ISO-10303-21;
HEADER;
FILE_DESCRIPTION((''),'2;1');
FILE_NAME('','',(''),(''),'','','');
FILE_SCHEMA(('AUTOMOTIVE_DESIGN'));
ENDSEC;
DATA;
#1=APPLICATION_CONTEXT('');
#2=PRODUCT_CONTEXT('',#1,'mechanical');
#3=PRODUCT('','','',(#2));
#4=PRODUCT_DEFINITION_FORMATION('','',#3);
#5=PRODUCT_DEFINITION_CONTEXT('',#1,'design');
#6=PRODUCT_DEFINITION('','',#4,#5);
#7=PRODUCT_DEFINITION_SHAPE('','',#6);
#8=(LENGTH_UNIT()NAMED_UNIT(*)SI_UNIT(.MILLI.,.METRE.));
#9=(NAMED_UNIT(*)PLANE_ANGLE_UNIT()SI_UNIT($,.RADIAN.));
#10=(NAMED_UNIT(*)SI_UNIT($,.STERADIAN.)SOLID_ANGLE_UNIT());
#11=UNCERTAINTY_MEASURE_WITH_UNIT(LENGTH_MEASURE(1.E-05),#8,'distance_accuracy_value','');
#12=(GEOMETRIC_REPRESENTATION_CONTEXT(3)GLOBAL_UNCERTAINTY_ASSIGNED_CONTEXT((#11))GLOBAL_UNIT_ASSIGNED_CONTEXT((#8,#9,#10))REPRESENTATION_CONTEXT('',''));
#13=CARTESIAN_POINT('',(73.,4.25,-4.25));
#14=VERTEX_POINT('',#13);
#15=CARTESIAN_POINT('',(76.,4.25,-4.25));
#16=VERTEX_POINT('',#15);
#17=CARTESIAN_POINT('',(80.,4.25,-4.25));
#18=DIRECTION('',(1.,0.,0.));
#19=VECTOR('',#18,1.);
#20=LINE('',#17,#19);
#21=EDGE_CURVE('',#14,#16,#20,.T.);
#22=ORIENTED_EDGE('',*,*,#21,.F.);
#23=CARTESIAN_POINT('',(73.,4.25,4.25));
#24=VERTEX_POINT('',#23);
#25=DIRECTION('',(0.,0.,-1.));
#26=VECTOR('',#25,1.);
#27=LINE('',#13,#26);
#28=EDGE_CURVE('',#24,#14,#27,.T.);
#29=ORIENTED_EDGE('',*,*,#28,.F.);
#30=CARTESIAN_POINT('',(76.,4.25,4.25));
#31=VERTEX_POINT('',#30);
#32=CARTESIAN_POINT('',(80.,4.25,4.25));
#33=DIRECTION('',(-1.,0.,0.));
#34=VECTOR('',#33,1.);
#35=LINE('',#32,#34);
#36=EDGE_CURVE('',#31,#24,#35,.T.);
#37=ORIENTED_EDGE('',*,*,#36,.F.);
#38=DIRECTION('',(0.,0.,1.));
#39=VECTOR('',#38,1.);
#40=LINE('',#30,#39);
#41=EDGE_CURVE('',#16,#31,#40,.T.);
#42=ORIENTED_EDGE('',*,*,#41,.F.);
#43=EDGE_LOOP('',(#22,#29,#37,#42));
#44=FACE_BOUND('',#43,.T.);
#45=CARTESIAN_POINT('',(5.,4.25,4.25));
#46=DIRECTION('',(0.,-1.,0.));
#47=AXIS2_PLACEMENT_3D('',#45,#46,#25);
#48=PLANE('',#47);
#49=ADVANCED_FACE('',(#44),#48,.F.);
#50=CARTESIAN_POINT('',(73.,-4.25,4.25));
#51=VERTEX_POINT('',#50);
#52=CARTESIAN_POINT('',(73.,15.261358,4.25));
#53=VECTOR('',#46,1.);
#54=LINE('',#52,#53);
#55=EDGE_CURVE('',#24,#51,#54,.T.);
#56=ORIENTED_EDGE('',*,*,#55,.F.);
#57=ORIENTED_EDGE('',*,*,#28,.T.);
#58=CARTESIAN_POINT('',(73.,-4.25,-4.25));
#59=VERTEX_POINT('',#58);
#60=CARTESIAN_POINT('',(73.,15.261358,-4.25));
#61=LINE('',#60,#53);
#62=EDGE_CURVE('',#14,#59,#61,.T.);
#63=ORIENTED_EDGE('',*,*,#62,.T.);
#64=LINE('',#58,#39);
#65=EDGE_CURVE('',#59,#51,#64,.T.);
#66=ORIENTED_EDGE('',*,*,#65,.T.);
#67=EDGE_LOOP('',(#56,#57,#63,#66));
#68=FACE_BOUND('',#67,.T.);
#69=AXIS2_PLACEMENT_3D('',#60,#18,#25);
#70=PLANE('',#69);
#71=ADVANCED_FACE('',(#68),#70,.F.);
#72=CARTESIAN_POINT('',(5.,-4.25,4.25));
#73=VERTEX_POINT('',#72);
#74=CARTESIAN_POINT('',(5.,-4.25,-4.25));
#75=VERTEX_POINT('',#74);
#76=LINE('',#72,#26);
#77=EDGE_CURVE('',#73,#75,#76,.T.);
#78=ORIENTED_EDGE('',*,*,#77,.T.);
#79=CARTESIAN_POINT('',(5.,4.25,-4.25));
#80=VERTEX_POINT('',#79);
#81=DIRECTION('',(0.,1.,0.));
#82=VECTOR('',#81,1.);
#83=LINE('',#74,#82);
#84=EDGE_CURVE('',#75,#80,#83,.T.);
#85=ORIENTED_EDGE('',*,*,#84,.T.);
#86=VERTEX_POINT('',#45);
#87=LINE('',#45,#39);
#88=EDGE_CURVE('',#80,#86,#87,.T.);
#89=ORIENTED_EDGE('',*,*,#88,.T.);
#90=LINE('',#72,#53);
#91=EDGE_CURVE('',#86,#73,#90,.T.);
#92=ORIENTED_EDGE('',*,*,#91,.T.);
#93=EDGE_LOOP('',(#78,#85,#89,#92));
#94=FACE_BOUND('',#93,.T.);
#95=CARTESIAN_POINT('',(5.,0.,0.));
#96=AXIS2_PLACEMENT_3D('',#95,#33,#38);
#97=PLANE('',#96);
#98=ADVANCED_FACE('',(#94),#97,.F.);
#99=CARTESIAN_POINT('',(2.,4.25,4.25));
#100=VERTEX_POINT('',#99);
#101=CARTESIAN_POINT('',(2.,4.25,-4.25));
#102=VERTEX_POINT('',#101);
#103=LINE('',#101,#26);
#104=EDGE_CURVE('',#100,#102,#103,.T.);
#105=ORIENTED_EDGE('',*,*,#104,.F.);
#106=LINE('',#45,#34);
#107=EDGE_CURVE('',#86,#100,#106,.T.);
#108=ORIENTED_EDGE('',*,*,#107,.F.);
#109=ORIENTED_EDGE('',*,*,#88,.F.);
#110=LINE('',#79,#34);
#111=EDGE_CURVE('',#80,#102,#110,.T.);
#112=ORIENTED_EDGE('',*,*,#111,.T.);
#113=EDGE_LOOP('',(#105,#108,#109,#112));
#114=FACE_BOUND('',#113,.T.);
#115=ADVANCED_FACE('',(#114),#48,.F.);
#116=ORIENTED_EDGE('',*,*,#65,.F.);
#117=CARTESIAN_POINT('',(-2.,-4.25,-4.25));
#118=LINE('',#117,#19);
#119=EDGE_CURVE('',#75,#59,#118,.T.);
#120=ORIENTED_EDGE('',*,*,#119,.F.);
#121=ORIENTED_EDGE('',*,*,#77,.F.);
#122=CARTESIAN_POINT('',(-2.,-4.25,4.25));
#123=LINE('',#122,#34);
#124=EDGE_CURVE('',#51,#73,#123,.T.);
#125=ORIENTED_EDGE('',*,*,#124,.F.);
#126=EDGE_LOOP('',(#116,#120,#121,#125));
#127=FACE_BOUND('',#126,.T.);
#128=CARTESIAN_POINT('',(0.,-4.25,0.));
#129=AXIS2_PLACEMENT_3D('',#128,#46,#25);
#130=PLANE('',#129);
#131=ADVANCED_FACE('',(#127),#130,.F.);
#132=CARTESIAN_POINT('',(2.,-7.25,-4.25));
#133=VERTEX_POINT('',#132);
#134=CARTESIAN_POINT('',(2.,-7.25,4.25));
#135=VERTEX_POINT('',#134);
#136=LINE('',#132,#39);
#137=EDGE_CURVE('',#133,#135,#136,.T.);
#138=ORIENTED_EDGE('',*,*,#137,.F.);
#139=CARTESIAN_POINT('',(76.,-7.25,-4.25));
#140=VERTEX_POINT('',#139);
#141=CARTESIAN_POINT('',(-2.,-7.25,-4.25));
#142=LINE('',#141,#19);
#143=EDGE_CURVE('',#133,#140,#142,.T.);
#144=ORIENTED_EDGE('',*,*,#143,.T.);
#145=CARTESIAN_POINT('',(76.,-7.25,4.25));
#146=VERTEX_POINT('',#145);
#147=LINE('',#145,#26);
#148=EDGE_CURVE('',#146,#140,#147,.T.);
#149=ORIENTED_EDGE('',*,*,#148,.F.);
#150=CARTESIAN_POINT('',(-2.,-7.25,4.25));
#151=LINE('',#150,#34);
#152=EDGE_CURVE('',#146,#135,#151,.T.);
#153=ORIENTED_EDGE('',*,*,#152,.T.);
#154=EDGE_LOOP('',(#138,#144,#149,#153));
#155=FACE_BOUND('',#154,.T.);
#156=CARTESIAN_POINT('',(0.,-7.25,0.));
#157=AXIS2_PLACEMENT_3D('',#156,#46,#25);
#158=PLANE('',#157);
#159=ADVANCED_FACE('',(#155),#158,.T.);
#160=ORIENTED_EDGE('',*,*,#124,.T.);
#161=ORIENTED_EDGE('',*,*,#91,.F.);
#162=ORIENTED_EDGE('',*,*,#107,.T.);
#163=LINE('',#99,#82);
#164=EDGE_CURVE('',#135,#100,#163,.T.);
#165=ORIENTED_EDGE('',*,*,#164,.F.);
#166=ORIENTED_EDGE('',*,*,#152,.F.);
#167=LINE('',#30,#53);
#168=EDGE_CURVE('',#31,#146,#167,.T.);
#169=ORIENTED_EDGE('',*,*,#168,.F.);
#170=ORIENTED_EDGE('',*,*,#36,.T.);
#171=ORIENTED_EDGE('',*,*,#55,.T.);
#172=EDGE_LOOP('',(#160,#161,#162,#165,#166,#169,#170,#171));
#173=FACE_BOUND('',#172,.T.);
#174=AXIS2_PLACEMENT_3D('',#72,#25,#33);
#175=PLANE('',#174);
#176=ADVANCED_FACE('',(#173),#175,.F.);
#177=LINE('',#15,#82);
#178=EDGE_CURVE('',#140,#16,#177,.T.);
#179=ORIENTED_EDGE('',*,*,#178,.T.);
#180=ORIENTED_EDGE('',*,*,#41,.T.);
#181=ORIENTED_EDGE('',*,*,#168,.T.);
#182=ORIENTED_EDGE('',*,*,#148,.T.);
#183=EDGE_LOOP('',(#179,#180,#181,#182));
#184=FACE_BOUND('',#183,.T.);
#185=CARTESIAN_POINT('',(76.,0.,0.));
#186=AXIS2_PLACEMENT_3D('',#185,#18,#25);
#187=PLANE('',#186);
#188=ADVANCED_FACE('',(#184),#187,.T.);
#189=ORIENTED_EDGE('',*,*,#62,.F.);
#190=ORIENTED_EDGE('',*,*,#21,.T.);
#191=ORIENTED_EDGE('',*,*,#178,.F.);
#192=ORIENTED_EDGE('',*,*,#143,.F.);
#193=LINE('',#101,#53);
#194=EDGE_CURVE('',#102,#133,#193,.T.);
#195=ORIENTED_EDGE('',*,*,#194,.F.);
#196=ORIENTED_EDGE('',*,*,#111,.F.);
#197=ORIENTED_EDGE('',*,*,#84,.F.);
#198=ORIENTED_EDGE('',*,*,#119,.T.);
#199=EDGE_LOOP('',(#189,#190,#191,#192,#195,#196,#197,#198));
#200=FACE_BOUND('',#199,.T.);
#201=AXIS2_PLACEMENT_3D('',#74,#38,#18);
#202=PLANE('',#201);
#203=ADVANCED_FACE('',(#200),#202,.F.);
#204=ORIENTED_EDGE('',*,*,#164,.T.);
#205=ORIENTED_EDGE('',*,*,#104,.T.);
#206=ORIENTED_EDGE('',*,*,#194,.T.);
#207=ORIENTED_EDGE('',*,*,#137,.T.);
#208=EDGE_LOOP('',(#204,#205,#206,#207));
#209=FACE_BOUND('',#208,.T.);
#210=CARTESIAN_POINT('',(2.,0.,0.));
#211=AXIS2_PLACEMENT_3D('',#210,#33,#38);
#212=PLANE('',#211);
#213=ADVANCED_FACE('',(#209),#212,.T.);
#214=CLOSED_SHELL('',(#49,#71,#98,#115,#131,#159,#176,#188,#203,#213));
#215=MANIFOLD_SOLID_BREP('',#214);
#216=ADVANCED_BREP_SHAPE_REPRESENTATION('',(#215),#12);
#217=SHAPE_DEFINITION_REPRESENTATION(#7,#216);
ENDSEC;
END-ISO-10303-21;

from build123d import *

# Parameters (mm, degrees)
SKETCH1_W            = 8.5
SKETCH1_H            = 8.5
BOSS_EXTRUDE1_DEPTH  = 5
SKETCH2_W            = 8.5
SKETCH2_H            = 8.5
BOSS_EXTRUDE2_DEPTH  = 2
SKETCH3_R            = 1.5
CUT_EXTRUDE1_DEPTH   = 2
SKETCH4_W            = 82
SKETCH4_H            = 8.5
BOSS_EXTRUDE3_DEPTH  = 3
SKETCH5_W            = 7
SKETCH5_H            = 8.5
BOSS_EXTRUDE4_DEPTH  = 8.5
CUT_EXTRUDE2_DEPTH   = 5
SKETCH7_R            = 1.5
CUT_EXTRUDE3_DEPTH   = 5
CUT_EXTRUDE4_DEPTH   = 10
SKETCH9_W            = 8.5
SKETCH9_H            = 8.5
SKETCH9_R            = 1.5
BOSS_EXTRUDE5_DEPTH  = 2
CUT_EXTRUDE5_DEPTH   = 2
SKETCH11_W           = 8.5
SKETCH11_H           = 8.5
SKETCH11_R           = 1.5
BOSS_EXTRUDE6_DEPTH  = 2
BOSS_EXTRUDE7_DEPTH  = 5
BOSS_EXTRUDE8_DEPTH  = 5
SKETCH14_W           = 8.5
SKETCH14_H           = 11.5
CUT_EXTRUDE6_DEPTH   = 4
SKETCH15_W           = 8.5
SKETCH15_H           = 11.5
CUT_EXTRUDE7_DEPTH   = 4
SKETCH16_R           = 1.5
CUT_EXTRUDE8_DEPTH   = 4
SKETCH17_R           = 1.5
CUT_EXTRUDE9_DEPTH   = 4
SKETCH19_W           = 8.5
SKETCH19_H           = 8.5
BOSS_EXTRUDE9_DEPTH  = 3
SKETCH20_W           = 8.5
SKETCH20_H           = 8.5
BOSS_EXTRUDE10_DEPTH = 3


with BuildPart() as part:
    # Sketch1 → Boss-Extrude1 (new body)
    with BuildSketch(Plane(origin=(0, 0, 0), x_dir=(0, 0, -1), z_dir=(1, 0, 0))):
        Rectangle(SKETCH1_W, SKETCH1_H)
        Polygon((1.58771324, 2.75), (-1.58771324, 2.75), (-3.175426481, 0), (-1.58771324, -2.75), (1.58771324, -2.75), (3.175426481, 0), align=None, mode=Mode.SUBTRACT)
    extrude(amount=BOSS_EXTRUDE1_DEPTH)

    # Sketch2 → Boss-Extrude2 (add)
    with BuildSketch(Plane.ZY):
        Rectangle(SKETCH2_W, SKETCH2_H)
    extrude(amount=BOSS_EXTRUDE2_DEPTH)

    # Sketch3 → Cut-Extrude1 (cut)
    with BuildSketch(Plane(origin=(0, 0, 0), x_dir=(0, 0, -1), z_dir=(1, 0, 0))):
        Circle(SKETCH3_R)
    extrude(amount=-CUT_EXTRUDE1_DEPTH, mode=Mode.SUBTRACT)

    # Sketch4 → Boss-Extrude3 (add)
    with BuildSketch(Plane.XZ.offset(4.25)):
        with Locations((39, 0)):
            Rectangle(SKETCH4_W, SKETCH4_H)
    extrude(amount=BOSS_EXTRUDE3_DEPTH)

    # Sketch5 → Boss-Extrude4 (add)
    with BuildSketch(Plane(origin=(0, -4.25, 0), x_dir=(1, 0, 0), z_dir=(0, 1, 0))):
        with Locations((76.5, 0)):
            Rectangle(SKETCH5_W, SKETCH5_H)
    extrude(amount=BOSS_EXTRUDE4_DEPTH)

    # Sketch6 → Cut-Extrude2 (cut)
    with BuildSketch(Plane.ZY.offset(-73)):
        Polygon((3.175426481, 0), (1.58771324, 2.75), (-1.58771324, 2.75), (-3.175426481, 0), (-1.58771324, -2.75), (1.58771324, -2.75), align=None)
    extrude(amount=-CUT_EXTRUDE2_DEPTH, mode=Mode.SUBTRACT)

    # Sketch7 → Cut-Extrude3 (cut)
    with BuildSketch(Plane.ZY.offset(-78)):
        Circle(SKETCH7_R)
    extrude(amount=-CUT_EXTRUDE3_DEPTH, mode=Mode.SUBTRACT)

    # Sketch8 → Cut-Extrude4 (cut)
    with BuildSketch(Plane.ZY.offset(2)):
        Polygon((-1.58771324, 2.75), (1.58771324, 2.75), (3.175426481, 0), (1.58771324, -2.75), (-1.58771324, -2.75), (-3.175426481, 0), align=None)
    extrude(amount=-CUT_EXTRUDE4_DEPTH, mode=Mode.SUBTRACT)

    # Sketch9 → Boss-Extrude5 (add)
    with BuildSketch(Plane(origin=(5, 0, 0), x_dir=(0, 0, -1), z_dir=(1, 0, 0))):
        Rectangle(SKETCH9_W, SKETCH9_H)
        Circle(SKETCH9_R, mode=Mode.SUBTRACT)
    extrude(amount=-BOSS_EXTRUDE5_DEPTH)

    # Sketch10 → Cut-Extrude5 (cut)
    with BuildSketch(Plane(origin=(80, 0, 0), x_dir=(0, 0, -1), z_dir=(1, 0, 0))):
        Polygon((-3.175426481, 0), (-1.58771324, 2.75), (1.58771324, 2.75), (3.175426481, 0), (1.58771324, -2.75), (-1.58771324, -2.75), align=None)
    extrude(amount=-CUT_EXTRUDE5_DEPTH, mode=Mode.SUBTRACT)

    # Sketch11 → Boss-Extrude6 (add)
    with BuildSketch(Plane.ZY.offset(-73)):
        Rectangle(SKETCH11_W, SKETCH11_H)
        Circle(SKETCH11_R, mode=Mode.SUBTRACT)
    extrude(amount=-BOSS_EXTRUDE6_DEPTH)

    # Sketch12 → Boss-Extrude7 (add)
    with BuildSketch(Plane.ZY.offset(-3)):
        Polygon((-3.175426481, 0), (-1.58771324, 2.75), (1.58771324, 2.75), (3.175426481, 0), (1.58771324, -2.75), (-1.58771324, -2.75), align=None)
    extrude(amount=BOSS_EXTRUDE7_DEPTH)

    # Sketch13 → Boss-Extrude8 (add)
    with BuildSketch(Plane(origin=(75, 0, 0), x_dir=(0, 0, -1), z_dir=(1, 0, 0))):
        Polygon((-1.58771324, 2.75), (-3.175426481, 0), (-1.58771324, -2.75), (1.58771324, -2.75), (3.175426481, 0), (1.58771324, 2.75), align=None)
    extrude(amount=BOSS_EXTRUDE8_DEPTH)

    # Sketch14 → Cut-Extrude6 (cut)
    with BuildSketch(Plane.ZY.offset(2)):
        with Locations((0, -1.5)):
            Rectangle(SKETCH14_W, SKETCH14_H)
    extrude(amount=-CUT_EXTRUDE6_DEPTH, mode=Mode.SUBTRACT)

    # Sketch15 → Cut-Extrude7 (cut)
    with BuildSketch(Plane(origin=(80, 0, 0), x_dir=(0, 0, -1), z_dir=(1, 0, 0))):
        with Locations((0, -1.5)):
            Rectangle(SKETCH15_W, SKETCH15_H)
    extrude(amount=-CUT_EXTRUDE7_DEPTH, mode=Mode.SUBTRACT)

    # Sketch16 → Cut-Extrude8 (cut)
    with BuildSketch(Plane(origin=(5, 0, 0), x_dir=(0, 0, -1), z_dir=(1, 0, 0))):
        Circle(SKETCH16_R)
    extrude(amount=-CUT_EXTRUDE8_DEPTH, mode=Mode.SUBTRACT)

    # Sketch17 → Cut-Extrude9 (cut)
    with BuildSketch(Plane.ZY.offset(-75)):
        Circle(SKETCH17_R)
    extrude(amount=-CUT_EXTRUDE9_DEPTH, mode=Mode.SUBTRACT)

    # Sketch19 → Boss-Extrude9 (add)
    with BuildSketch(Plane(origin=(5, 0, 0), x_dir=(0, 0, -1), z_dir=(1, 0, 0))):
        Rectangle(SKETCH19_W, SKETCH19_H)
    extrude(amount=-BOSS_EXTRUDE9_DEPTH)

    # Sketch20 → Boss-Extrude10 (add)
    with BuildSketch(Plane.ZY.offset(-73)):
        Rectangle(SKETCH20_W, SKETCH20_H)
    extrude(amount=-BOSS_EXTRUDE10_DEPTH)


solid = part.part
